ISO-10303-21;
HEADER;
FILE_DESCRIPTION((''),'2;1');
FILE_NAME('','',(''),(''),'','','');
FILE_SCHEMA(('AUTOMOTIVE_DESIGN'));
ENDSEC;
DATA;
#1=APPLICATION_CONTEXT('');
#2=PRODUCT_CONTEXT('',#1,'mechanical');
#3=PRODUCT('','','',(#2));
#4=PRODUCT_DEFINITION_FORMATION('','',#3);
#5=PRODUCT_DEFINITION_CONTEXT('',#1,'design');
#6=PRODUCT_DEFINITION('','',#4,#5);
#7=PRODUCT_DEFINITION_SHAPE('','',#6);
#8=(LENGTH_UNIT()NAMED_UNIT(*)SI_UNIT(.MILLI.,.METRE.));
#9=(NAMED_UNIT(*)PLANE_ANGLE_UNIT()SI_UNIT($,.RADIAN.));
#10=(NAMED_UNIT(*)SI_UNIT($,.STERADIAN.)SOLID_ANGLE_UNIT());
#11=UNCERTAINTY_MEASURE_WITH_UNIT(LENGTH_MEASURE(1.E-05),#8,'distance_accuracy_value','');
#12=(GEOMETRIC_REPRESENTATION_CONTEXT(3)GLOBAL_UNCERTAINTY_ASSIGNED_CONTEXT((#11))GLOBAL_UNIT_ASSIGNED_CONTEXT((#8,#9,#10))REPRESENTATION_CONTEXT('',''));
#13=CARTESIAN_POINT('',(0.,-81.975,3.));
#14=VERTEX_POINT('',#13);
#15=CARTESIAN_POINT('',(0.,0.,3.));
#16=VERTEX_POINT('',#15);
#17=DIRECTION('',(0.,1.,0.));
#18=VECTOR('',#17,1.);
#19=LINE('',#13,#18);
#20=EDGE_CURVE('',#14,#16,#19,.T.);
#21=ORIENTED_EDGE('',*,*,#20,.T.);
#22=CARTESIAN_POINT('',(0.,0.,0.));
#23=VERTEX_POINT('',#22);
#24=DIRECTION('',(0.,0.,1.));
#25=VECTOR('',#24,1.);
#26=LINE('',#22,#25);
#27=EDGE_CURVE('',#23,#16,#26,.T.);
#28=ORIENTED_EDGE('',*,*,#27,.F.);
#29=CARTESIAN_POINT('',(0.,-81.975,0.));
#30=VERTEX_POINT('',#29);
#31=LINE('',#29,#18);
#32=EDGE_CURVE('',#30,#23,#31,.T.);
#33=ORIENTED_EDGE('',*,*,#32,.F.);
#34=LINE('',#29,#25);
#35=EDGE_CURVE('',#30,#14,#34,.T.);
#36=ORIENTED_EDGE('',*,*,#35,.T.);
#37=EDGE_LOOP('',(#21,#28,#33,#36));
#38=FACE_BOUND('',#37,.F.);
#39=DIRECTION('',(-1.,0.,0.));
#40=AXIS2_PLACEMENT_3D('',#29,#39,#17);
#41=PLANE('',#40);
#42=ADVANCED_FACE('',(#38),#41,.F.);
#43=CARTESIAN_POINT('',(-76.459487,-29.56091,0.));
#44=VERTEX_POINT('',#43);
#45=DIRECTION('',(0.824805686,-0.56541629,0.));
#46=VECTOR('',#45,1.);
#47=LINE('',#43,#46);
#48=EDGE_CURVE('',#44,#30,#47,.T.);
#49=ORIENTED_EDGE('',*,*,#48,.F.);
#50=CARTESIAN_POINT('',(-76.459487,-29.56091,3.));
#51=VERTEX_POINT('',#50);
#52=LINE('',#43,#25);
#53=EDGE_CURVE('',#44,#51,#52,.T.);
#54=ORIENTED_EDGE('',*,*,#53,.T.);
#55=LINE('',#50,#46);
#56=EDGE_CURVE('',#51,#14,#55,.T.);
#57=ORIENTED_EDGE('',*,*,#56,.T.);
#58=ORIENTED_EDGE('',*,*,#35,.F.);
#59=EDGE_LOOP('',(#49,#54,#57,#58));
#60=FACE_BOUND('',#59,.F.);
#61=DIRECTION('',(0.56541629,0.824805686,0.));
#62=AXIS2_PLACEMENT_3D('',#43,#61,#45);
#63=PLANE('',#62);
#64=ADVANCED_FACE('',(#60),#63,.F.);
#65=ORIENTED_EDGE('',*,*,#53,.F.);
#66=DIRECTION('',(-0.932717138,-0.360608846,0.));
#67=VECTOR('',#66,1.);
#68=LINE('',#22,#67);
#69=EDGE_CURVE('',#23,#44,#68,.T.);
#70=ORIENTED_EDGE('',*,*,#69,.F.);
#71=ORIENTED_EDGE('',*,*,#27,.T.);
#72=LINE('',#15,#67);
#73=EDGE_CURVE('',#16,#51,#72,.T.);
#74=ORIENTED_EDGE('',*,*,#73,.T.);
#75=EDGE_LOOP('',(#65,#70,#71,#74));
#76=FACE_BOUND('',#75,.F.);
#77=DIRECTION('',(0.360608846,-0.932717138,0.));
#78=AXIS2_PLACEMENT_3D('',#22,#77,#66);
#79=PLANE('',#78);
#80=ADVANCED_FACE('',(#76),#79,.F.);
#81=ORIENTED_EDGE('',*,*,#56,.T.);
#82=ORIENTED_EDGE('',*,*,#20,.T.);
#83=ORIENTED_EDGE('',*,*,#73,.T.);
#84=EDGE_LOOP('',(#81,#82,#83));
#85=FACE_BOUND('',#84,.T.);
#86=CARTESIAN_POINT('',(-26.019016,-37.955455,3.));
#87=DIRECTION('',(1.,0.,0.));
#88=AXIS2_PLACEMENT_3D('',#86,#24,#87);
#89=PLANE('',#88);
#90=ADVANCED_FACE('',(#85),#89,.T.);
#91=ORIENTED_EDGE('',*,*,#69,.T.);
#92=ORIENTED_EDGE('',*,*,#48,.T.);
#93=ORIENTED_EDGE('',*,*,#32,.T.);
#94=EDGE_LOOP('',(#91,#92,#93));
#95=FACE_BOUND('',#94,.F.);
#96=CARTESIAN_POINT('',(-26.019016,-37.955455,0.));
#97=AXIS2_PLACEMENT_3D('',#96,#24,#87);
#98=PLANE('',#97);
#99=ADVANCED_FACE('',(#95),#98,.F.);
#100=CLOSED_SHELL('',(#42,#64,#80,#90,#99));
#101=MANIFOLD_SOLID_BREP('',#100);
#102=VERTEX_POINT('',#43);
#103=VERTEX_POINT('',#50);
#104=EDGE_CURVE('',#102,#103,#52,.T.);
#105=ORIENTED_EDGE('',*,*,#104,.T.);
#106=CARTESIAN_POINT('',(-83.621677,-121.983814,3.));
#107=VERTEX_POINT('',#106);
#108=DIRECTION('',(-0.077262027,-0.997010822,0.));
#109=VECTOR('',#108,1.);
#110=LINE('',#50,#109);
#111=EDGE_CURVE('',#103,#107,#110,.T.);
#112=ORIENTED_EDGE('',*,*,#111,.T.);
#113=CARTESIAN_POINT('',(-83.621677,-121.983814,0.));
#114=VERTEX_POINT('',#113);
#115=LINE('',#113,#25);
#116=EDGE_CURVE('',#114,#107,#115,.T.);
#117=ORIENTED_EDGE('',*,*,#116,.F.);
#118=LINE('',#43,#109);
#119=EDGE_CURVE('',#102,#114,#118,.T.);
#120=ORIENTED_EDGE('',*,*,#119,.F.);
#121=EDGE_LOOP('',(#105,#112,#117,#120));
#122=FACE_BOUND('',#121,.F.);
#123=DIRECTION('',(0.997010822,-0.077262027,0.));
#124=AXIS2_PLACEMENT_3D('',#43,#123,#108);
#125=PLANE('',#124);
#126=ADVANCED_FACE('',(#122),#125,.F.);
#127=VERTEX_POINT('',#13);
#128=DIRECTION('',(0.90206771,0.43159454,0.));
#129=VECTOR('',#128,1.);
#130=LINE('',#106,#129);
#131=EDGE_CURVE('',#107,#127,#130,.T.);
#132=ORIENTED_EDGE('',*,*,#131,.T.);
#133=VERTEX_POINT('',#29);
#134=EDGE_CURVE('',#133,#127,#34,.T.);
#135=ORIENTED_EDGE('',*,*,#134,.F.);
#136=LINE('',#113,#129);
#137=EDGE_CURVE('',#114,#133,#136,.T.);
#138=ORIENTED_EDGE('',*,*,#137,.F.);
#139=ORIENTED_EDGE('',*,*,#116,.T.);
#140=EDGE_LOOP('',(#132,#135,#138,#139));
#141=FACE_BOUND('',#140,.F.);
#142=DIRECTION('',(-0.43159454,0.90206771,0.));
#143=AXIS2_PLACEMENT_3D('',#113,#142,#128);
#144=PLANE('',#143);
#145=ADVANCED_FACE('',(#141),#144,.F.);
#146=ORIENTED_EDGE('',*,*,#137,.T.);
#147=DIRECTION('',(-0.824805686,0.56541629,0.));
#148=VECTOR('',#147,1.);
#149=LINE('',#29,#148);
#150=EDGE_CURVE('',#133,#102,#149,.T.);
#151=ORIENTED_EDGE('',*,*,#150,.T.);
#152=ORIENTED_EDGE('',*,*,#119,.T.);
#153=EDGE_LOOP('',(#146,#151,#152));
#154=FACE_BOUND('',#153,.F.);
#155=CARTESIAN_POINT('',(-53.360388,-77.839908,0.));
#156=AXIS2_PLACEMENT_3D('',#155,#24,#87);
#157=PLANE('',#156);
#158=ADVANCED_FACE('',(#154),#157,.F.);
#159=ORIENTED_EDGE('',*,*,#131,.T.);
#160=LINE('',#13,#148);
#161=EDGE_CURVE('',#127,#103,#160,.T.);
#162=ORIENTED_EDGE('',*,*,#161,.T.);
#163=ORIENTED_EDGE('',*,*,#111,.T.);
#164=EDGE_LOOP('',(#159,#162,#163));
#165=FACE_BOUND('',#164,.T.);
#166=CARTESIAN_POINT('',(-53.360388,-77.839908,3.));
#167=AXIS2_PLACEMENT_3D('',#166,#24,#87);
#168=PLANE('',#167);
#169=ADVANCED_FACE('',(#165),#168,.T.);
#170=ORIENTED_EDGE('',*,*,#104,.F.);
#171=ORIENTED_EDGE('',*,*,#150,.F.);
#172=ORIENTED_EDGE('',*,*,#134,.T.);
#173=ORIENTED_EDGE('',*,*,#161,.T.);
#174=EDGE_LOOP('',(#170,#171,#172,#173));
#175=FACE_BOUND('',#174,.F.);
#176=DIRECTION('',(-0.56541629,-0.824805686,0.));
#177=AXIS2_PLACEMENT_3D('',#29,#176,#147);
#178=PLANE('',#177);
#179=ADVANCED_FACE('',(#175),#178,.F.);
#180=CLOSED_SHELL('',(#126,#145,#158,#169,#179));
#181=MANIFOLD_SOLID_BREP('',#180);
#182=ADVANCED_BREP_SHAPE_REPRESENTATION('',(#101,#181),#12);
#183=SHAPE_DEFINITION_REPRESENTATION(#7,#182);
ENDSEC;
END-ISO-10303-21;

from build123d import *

# Parameters (mm, degrees)
F1_DEPTH = 3
F2_DEPTH = 3


with BuildPart() as f1:
    # F0 (on Top) → F1 (new body)
    with BuildSketch(Plane.XY):
        Polygon((0, -81.975), (0, 0), (-76.459487, -29.56091), align=None)
    extrude(amount=F1_DEPTH)


with BuildPart() as f2:
    # F0 (on Top) → F2 (new body)
    with BuildSketch(Plane.XY):
        Polygon((-83.621677, -121.983814), (0, -81.975), (-76.459487, -29.56091), align=None)
    extrude(amount=F2_DEPTH)


solid = Compound([f1.part, f2.part])
